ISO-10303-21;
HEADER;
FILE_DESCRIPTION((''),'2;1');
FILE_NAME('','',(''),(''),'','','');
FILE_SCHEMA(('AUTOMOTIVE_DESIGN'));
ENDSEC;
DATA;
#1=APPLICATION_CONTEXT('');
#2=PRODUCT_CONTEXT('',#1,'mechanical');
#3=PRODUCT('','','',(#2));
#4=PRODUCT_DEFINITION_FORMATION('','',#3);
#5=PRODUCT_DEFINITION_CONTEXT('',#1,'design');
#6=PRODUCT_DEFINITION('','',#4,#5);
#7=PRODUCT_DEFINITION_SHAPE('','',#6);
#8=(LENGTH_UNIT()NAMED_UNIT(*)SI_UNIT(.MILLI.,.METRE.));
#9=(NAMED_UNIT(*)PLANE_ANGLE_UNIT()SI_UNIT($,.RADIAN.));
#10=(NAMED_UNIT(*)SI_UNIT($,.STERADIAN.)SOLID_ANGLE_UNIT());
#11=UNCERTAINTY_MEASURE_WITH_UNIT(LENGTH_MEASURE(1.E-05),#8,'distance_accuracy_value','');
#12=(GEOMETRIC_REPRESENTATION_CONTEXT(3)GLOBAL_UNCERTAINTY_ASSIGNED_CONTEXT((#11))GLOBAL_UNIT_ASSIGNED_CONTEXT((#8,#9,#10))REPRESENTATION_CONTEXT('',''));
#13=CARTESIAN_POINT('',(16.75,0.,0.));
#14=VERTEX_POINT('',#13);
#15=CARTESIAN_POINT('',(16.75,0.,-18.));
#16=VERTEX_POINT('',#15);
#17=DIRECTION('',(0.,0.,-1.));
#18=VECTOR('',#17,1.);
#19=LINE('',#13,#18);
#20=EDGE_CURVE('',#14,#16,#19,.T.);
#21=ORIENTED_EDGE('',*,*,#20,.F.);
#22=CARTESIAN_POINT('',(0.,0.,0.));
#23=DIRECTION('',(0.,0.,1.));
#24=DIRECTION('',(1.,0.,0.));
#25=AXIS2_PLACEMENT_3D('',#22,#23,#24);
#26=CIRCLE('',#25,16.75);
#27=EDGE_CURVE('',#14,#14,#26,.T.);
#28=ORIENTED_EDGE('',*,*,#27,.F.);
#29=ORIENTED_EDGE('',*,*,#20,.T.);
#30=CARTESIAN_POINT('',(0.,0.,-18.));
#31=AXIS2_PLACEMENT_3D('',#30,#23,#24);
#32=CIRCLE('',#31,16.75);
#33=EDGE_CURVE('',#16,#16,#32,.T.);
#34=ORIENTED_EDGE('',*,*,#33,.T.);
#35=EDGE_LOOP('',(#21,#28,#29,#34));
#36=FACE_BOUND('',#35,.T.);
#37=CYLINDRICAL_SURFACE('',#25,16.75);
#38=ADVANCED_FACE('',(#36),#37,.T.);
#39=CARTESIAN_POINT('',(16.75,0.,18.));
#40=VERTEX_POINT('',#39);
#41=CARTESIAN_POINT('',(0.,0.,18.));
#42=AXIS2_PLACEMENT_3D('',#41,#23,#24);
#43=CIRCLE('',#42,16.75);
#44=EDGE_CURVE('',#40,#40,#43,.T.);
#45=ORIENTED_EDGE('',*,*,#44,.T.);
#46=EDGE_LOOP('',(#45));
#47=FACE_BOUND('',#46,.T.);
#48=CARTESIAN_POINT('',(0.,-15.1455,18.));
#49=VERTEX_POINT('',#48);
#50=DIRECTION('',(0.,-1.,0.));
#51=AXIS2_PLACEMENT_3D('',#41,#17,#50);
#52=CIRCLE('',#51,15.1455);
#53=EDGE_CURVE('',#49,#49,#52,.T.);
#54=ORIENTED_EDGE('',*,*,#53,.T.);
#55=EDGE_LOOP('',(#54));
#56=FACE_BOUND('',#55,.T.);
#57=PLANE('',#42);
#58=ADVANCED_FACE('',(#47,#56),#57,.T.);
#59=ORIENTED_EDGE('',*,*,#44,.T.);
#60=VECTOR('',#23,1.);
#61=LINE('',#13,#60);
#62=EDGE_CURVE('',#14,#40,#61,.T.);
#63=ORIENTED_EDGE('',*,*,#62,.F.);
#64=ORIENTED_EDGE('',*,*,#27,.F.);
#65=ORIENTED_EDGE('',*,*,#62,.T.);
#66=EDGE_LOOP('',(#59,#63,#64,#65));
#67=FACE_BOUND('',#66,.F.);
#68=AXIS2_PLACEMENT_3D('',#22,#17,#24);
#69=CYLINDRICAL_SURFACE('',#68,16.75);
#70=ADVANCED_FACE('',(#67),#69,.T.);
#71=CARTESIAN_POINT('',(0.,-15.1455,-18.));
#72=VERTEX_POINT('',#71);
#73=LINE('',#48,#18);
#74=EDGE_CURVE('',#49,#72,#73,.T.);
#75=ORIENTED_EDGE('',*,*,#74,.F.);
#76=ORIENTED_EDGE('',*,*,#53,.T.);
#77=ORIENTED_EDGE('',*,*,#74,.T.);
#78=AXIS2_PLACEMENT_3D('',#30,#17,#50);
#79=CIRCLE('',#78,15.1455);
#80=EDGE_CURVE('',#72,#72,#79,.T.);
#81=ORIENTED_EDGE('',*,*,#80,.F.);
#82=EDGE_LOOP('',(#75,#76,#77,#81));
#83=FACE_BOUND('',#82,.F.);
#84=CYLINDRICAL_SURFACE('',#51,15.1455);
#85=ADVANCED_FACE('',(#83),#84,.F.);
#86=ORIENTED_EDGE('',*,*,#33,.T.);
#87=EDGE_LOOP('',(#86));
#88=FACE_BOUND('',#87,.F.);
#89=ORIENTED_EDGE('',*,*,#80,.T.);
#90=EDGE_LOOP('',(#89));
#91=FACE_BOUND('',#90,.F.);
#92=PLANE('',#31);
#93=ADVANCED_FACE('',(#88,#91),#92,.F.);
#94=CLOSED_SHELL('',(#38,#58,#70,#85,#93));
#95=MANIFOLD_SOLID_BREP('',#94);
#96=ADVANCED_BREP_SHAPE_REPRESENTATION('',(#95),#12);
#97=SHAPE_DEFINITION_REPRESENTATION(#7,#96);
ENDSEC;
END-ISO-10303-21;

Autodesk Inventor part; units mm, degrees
ref_plane "YZ Plane" through (0, 0, 0) normal (1, 0, 0) x (0, 1, 0)
ref_plane "XZ Plane" through (0, 0, 0) normal (0, 1, 0) x (-1, 0, 0)
ref_plane "XY Plane" through (0, 0, 0) normal (0, 0, 1) x (1, 0, 0)
sketch "Sketch1" plane through (0, 0, 0) normal (0, 0, 1) x (1, 0, 0)
  circle A0 centre (0, 0) radius 16.75
  dimension "d0" = 33.5
extrude "Extrusion1" add sketch "Sketch1" along normal mid plane 36
sketch "Sketch2" plane through (0, 0, 18) normal (0, 0, 1) x (1, 0, 0)
  point P0 (0, 0)
  point P1 (0, 0)
hole "Hole1" at (0, 0, 18) direction (0, 0, -1) diameter 30.291 end through all thread size "G33.249x2.309" designation "G 1" standard "ISO Pipe Threads"
properties part number "Fitting G1" material "Steel"
